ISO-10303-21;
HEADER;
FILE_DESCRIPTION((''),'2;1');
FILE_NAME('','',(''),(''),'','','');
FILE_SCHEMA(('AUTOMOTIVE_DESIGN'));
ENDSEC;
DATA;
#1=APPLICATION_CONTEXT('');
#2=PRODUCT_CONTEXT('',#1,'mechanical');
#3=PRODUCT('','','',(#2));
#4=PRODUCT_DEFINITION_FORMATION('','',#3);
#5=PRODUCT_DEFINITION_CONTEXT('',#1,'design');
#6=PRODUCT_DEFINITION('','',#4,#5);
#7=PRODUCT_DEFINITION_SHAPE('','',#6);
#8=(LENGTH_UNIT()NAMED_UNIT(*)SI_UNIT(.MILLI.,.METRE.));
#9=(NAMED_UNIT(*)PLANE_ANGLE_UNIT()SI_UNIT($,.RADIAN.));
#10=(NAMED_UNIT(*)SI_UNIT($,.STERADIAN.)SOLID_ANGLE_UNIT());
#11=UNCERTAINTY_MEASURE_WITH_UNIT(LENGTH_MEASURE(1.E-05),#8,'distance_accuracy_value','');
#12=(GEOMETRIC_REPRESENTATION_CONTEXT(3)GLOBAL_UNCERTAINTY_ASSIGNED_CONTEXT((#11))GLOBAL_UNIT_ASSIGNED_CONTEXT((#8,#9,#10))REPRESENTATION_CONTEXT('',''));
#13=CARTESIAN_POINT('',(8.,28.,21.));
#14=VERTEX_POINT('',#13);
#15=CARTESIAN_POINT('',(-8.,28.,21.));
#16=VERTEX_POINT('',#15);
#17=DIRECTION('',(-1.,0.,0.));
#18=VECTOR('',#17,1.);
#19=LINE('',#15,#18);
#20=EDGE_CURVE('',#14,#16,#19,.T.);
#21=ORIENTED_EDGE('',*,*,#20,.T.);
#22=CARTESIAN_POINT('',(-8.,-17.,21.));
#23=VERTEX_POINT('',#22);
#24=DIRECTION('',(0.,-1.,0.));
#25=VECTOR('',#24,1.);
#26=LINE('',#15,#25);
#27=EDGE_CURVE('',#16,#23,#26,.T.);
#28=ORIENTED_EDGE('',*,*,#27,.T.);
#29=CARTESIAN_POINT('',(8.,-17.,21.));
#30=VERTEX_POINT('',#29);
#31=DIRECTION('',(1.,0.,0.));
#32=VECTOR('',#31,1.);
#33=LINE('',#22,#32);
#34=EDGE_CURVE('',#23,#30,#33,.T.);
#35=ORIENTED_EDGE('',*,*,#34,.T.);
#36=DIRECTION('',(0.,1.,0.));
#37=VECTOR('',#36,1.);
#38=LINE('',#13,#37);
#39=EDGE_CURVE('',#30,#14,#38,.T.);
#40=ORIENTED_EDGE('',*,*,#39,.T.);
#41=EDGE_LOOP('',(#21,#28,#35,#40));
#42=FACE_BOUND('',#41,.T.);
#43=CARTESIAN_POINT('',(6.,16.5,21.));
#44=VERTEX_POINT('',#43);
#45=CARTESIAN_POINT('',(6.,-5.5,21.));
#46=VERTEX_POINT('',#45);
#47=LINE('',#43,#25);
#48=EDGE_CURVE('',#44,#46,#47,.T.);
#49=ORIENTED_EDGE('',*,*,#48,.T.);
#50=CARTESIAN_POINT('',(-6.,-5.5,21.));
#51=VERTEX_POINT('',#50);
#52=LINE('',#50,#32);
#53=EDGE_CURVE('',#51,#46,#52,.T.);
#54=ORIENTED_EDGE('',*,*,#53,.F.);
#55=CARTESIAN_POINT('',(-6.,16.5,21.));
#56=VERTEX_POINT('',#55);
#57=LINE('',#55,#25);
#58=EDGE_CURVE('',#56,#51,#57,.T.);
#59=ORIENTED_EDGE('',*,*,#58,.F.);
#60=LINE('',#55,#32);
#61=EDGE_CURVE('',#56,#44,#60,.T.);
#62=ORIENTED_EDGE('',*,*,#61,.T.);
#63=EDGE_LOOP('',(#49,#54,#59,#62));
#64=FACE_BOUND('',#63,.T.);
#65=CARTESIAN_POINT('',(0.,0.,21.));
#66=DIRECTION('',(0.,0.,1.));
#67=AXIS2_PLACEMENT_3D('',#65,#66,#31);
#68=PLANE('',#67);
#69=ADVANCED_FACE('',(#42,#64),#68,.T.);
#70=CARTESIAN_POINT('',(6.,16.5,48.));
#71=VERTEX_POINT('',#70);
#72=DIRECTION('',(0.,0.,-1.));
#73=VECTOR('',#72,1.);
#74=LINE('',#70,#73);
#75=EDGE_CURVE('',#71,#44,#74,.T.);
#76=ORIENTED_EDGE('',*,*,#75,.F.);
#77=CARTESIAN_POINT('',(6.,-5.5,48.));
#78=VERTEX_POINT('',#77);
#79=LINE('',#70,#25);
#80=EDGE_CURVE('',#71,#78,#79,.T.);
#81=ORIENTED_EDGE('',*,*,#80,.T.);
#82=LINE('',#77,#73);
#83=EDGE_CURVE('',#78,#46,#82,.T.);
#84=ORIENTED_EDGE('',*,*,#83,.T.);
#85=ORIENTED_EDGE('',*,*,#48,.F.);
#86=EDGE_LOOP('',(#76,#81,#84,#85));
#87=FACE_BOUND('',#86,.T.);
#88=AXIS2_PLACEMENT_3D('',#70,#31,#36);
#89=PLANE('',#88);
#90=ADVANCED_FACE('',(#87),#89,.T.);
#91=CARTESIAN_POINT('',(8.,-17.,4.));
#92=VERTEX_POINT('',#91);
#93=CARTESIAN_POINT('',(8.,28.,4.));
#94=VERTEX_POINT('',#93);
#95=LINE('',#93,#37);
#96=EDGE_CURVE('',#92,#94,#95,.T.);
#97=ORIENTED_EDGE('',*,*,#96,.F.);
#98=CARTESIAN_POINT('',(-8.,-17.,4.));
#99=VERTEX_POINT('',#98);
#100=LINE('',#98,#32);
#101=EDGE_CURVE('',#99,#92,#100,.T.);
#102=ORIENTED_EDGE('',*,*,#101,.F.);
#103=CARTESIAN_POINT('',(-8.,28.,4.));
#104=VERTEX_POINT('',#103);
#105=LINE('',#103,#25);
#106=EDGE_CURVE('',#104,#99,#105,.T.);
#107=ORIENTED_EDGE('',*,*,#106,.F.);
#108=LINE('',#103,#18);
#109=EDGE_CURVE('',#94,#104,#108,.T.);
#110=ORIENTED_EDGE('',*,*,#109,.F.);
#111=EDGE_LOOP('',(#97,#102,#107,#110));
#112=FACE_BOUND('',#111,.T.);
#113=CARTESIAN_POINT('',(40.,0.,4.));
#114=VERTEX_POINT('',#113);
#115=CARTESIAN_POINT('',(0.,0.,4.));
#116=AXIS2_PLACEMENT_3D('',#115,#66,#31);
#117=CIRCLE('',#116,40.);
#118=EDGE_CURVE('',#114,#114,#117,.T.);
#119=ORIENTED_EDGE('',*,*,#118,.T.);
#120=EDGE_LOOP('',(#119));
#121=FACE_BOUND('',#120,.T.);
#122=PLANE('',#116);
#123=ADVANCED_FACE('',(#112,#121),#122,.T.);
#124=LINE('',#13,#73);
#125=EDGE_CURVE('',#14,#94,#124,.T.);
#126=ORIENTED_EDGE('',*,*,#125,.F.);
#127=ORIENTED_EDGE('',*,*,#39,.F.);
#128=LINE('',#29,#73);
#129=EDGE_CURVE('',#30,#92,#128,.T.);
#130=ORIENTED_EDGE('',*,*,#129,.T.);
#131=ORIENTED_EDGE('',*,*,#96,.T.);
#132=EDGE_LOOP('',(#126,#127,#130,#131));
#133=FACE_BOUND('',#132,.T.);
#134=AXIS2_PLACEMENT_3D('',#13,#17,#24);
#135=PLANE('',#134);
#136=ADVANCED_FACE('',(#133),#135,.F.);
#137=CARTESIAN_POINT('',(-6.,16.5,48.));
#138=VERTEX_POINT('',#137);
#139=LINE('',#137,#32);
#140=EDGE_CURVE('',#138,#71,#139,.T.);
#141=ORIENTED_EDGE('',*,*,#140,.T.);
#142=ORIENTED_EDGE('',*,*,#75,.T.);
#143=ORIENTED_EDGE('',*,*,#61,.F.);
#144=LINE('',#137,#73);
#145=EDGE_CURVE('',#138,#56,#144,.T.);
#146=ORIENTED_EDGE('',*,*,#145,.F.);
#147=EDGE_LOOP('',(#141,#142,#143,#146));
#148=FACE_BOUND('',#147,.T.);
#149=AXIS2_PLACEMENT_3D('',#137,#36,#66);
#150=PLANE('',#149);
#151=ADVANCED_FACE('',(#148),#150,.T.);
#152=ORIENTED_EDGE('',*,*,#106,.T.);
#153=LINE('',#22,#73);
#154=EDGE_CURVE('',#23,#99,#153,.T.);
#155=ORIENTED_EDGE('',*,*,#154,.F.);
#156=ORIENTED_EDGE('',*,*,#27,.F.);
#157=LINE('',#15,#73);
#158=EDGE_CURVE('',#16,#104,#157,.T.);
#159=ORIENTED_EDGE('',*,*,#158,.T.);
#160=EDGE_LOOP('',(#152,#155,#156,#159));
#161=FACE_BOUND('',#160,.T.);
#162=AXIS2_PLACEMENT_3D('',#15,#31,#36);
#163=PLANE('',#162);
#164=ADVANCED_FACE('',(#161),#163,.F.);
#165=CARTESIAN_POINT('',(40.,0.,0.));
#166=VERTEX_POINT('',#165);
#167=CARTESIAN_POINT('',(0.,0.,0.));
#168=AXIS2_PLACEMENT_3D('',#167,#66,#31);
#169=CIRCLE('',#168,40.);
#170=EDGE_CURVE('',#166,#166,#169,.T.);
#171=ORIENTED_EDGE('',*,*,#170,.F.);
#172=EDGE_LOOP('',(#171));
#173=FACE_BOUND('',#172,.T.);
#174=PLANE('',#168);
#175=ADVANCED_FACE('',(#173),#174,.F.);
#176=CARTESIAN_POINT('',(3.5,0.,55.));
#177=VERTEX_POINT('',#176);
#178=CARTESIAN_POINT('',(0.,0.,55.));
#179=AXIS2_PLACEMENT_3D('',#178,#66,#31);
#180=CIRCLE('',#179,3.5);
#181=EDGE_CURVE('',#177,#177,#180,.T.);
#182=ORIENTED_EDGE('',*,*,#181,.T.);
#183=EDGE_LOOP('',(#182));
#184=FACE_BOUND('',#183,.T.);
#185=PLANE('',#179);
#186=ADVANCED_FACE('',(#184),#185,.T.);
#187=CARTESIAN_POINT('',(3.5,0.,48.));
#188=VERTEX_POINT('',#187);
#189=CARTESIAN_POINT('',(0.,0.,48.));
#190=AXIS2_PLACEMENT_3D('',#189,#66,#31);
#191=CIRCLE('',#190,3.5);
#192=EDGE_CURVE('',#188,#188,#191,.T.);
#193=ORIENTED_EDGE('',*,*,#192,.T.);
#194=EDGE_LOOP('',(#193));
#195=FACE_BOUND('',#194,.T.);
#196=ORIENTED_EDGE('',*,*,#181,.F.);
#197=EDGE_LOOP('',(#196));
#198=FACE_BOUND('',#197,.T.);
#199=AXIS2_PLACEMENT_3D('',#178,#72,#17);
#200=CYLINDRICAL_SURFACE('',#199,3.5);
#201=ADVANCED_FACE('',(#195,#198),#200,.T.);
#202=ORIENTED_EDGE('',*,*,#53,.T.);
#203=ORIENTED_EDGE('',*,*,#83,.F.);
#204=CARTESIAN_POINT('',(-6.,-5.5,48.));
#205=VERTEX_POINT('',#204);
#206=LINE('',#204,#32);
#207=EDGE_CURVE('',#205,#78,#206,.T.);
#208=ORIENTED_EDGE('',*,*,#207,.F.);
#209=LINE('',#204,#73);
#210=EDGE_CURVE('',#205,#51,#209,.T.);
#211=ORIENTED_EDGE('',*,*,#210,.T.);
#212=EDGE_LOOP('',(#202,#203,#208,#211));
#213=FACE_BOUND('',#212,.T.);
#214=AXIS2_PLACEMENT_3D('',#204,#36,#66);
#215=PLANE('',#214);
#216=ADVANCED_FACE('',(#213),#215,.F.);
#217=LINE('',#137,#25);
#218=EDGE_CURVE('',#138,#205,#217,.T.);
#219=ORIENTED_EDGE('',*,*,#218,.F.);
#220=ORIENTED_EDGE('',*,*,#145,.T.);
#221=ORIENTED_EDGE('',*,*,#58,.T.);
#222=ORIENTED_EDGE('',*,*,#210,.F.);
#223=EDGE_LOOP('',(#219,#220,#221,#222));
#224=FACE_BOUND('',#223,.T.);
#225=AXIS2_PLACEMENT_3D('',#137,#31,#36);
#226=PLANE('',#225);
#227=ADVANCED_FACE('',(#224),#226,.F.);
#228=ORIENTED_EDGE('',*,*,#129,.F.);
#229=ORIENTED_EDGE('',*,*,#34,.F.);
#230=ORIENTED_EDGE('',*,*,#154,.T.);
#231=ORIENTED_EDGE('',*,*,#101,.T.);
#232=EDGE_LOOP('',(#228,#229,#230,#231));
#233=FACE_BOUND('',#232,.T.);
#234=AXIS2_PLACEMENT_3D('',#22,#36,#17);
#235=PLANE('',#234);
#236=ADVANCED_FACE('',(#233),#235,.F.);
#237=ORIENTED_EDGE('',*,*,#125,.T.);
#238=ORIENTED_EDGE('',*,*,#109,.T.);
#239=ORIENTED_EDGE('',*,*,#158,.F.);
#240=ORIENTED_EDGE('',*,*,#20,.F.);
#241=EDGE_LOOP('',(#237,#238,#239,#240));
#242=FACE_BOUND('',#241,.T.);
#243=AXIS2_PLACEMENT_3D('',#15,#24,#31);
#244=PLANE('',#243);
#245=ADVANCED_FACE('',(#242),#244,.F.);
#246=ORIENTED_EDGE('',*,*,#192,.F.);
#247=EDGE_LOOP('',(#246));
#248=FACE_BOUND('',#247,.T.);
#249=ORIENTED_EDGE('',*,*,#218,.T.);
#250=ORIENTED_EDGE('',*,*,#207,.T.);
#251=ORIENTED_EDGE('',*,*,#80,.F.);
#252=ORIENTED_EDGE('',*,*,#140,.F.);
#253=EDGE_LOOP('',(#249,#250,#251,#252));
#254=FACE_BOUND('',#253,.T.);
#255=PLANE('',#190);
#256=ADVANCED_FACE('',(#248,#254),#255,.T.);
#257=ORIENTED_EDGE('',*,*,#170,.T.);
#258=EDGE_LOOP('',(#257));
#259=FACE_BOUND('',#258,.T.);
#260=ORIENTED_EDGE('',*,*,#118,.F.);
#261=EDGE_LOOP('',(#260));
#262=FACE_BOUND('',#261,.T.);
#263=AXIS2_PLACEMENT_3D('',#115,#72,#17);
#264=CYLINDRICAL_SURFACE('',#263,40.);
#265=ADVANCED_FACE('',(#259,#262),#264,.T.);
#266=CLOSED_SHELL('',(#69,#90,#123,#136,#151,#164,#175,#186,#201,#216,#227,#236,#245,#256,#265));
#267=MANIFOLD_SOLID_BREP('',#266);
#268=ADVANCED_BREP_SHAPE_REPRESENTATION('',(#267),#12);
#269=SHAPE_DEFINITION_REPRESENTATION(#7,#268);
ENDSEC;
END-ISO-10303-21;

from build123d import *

# Parameters (mm, degrees)
SKIZZE1_R                       = 40
AUFSATZ_LINEAR_AUSTRAGEN1_DEPTH = 4
SKIZZE2_W                       = 16
SKIZZE2_H                       = 45
AUFSATZ_LINEAR_AUSTRAGEN2_DEPTH = 17
SKIZZE3_W                       = 12
SKIZZE3_H                       = 22
AUFSATZ_LINEAR_AUSTRAGEN3_DEPTH = 27
SKIZZE4_R                       = 3.5
AUFSATZ_LINEAR_AUSTRAGEN4_DEPTH = 7


with BuildPart() as part:
    # Skizze1 → Aufsatz-Linear austragen1 (new body)
    with BuildSketch(Plane.XY):
        Circle(SKIZZE1_R)
    extrude(amount=AUFSATZ_LINEAR_AUSTRAGEN1_DEPTH)

    # Skizze2 → Aufsatz-Linear austragen2 (add)
    with BuildSketch(Plane.XY.offset(4)):
        with Locations((0, 5.5)):
            Rectangle(SKIZZE2_W, SKIZZE2_H)
    extrude(amount=AUFSATZ_LINEAR_AUSTRAGEN2_DEPTH)

    # Skizze3 → Aufsatz-Linear austragen3 (add)
    with BuildSketch(Plane.XY.offset(21)):
        with Locations((0, 5.5)):
            Rectangle(SKIZZE3_W, SKIZZE3_H)
    extrude(amount=AUFSATZ_LINEAR_AUSTRAGEN3_DEPTH)

    # Skizze4 → Aufsatz-Linear austragen4 (add)
    with BuildSketch(Plane.XY.offset(48)):
        Circle(SKIZZE4_R)
    extrude(amount=AUFSATZ_LINEAR_AUSTRAGEN4_DEPTH)


solid = part.part
